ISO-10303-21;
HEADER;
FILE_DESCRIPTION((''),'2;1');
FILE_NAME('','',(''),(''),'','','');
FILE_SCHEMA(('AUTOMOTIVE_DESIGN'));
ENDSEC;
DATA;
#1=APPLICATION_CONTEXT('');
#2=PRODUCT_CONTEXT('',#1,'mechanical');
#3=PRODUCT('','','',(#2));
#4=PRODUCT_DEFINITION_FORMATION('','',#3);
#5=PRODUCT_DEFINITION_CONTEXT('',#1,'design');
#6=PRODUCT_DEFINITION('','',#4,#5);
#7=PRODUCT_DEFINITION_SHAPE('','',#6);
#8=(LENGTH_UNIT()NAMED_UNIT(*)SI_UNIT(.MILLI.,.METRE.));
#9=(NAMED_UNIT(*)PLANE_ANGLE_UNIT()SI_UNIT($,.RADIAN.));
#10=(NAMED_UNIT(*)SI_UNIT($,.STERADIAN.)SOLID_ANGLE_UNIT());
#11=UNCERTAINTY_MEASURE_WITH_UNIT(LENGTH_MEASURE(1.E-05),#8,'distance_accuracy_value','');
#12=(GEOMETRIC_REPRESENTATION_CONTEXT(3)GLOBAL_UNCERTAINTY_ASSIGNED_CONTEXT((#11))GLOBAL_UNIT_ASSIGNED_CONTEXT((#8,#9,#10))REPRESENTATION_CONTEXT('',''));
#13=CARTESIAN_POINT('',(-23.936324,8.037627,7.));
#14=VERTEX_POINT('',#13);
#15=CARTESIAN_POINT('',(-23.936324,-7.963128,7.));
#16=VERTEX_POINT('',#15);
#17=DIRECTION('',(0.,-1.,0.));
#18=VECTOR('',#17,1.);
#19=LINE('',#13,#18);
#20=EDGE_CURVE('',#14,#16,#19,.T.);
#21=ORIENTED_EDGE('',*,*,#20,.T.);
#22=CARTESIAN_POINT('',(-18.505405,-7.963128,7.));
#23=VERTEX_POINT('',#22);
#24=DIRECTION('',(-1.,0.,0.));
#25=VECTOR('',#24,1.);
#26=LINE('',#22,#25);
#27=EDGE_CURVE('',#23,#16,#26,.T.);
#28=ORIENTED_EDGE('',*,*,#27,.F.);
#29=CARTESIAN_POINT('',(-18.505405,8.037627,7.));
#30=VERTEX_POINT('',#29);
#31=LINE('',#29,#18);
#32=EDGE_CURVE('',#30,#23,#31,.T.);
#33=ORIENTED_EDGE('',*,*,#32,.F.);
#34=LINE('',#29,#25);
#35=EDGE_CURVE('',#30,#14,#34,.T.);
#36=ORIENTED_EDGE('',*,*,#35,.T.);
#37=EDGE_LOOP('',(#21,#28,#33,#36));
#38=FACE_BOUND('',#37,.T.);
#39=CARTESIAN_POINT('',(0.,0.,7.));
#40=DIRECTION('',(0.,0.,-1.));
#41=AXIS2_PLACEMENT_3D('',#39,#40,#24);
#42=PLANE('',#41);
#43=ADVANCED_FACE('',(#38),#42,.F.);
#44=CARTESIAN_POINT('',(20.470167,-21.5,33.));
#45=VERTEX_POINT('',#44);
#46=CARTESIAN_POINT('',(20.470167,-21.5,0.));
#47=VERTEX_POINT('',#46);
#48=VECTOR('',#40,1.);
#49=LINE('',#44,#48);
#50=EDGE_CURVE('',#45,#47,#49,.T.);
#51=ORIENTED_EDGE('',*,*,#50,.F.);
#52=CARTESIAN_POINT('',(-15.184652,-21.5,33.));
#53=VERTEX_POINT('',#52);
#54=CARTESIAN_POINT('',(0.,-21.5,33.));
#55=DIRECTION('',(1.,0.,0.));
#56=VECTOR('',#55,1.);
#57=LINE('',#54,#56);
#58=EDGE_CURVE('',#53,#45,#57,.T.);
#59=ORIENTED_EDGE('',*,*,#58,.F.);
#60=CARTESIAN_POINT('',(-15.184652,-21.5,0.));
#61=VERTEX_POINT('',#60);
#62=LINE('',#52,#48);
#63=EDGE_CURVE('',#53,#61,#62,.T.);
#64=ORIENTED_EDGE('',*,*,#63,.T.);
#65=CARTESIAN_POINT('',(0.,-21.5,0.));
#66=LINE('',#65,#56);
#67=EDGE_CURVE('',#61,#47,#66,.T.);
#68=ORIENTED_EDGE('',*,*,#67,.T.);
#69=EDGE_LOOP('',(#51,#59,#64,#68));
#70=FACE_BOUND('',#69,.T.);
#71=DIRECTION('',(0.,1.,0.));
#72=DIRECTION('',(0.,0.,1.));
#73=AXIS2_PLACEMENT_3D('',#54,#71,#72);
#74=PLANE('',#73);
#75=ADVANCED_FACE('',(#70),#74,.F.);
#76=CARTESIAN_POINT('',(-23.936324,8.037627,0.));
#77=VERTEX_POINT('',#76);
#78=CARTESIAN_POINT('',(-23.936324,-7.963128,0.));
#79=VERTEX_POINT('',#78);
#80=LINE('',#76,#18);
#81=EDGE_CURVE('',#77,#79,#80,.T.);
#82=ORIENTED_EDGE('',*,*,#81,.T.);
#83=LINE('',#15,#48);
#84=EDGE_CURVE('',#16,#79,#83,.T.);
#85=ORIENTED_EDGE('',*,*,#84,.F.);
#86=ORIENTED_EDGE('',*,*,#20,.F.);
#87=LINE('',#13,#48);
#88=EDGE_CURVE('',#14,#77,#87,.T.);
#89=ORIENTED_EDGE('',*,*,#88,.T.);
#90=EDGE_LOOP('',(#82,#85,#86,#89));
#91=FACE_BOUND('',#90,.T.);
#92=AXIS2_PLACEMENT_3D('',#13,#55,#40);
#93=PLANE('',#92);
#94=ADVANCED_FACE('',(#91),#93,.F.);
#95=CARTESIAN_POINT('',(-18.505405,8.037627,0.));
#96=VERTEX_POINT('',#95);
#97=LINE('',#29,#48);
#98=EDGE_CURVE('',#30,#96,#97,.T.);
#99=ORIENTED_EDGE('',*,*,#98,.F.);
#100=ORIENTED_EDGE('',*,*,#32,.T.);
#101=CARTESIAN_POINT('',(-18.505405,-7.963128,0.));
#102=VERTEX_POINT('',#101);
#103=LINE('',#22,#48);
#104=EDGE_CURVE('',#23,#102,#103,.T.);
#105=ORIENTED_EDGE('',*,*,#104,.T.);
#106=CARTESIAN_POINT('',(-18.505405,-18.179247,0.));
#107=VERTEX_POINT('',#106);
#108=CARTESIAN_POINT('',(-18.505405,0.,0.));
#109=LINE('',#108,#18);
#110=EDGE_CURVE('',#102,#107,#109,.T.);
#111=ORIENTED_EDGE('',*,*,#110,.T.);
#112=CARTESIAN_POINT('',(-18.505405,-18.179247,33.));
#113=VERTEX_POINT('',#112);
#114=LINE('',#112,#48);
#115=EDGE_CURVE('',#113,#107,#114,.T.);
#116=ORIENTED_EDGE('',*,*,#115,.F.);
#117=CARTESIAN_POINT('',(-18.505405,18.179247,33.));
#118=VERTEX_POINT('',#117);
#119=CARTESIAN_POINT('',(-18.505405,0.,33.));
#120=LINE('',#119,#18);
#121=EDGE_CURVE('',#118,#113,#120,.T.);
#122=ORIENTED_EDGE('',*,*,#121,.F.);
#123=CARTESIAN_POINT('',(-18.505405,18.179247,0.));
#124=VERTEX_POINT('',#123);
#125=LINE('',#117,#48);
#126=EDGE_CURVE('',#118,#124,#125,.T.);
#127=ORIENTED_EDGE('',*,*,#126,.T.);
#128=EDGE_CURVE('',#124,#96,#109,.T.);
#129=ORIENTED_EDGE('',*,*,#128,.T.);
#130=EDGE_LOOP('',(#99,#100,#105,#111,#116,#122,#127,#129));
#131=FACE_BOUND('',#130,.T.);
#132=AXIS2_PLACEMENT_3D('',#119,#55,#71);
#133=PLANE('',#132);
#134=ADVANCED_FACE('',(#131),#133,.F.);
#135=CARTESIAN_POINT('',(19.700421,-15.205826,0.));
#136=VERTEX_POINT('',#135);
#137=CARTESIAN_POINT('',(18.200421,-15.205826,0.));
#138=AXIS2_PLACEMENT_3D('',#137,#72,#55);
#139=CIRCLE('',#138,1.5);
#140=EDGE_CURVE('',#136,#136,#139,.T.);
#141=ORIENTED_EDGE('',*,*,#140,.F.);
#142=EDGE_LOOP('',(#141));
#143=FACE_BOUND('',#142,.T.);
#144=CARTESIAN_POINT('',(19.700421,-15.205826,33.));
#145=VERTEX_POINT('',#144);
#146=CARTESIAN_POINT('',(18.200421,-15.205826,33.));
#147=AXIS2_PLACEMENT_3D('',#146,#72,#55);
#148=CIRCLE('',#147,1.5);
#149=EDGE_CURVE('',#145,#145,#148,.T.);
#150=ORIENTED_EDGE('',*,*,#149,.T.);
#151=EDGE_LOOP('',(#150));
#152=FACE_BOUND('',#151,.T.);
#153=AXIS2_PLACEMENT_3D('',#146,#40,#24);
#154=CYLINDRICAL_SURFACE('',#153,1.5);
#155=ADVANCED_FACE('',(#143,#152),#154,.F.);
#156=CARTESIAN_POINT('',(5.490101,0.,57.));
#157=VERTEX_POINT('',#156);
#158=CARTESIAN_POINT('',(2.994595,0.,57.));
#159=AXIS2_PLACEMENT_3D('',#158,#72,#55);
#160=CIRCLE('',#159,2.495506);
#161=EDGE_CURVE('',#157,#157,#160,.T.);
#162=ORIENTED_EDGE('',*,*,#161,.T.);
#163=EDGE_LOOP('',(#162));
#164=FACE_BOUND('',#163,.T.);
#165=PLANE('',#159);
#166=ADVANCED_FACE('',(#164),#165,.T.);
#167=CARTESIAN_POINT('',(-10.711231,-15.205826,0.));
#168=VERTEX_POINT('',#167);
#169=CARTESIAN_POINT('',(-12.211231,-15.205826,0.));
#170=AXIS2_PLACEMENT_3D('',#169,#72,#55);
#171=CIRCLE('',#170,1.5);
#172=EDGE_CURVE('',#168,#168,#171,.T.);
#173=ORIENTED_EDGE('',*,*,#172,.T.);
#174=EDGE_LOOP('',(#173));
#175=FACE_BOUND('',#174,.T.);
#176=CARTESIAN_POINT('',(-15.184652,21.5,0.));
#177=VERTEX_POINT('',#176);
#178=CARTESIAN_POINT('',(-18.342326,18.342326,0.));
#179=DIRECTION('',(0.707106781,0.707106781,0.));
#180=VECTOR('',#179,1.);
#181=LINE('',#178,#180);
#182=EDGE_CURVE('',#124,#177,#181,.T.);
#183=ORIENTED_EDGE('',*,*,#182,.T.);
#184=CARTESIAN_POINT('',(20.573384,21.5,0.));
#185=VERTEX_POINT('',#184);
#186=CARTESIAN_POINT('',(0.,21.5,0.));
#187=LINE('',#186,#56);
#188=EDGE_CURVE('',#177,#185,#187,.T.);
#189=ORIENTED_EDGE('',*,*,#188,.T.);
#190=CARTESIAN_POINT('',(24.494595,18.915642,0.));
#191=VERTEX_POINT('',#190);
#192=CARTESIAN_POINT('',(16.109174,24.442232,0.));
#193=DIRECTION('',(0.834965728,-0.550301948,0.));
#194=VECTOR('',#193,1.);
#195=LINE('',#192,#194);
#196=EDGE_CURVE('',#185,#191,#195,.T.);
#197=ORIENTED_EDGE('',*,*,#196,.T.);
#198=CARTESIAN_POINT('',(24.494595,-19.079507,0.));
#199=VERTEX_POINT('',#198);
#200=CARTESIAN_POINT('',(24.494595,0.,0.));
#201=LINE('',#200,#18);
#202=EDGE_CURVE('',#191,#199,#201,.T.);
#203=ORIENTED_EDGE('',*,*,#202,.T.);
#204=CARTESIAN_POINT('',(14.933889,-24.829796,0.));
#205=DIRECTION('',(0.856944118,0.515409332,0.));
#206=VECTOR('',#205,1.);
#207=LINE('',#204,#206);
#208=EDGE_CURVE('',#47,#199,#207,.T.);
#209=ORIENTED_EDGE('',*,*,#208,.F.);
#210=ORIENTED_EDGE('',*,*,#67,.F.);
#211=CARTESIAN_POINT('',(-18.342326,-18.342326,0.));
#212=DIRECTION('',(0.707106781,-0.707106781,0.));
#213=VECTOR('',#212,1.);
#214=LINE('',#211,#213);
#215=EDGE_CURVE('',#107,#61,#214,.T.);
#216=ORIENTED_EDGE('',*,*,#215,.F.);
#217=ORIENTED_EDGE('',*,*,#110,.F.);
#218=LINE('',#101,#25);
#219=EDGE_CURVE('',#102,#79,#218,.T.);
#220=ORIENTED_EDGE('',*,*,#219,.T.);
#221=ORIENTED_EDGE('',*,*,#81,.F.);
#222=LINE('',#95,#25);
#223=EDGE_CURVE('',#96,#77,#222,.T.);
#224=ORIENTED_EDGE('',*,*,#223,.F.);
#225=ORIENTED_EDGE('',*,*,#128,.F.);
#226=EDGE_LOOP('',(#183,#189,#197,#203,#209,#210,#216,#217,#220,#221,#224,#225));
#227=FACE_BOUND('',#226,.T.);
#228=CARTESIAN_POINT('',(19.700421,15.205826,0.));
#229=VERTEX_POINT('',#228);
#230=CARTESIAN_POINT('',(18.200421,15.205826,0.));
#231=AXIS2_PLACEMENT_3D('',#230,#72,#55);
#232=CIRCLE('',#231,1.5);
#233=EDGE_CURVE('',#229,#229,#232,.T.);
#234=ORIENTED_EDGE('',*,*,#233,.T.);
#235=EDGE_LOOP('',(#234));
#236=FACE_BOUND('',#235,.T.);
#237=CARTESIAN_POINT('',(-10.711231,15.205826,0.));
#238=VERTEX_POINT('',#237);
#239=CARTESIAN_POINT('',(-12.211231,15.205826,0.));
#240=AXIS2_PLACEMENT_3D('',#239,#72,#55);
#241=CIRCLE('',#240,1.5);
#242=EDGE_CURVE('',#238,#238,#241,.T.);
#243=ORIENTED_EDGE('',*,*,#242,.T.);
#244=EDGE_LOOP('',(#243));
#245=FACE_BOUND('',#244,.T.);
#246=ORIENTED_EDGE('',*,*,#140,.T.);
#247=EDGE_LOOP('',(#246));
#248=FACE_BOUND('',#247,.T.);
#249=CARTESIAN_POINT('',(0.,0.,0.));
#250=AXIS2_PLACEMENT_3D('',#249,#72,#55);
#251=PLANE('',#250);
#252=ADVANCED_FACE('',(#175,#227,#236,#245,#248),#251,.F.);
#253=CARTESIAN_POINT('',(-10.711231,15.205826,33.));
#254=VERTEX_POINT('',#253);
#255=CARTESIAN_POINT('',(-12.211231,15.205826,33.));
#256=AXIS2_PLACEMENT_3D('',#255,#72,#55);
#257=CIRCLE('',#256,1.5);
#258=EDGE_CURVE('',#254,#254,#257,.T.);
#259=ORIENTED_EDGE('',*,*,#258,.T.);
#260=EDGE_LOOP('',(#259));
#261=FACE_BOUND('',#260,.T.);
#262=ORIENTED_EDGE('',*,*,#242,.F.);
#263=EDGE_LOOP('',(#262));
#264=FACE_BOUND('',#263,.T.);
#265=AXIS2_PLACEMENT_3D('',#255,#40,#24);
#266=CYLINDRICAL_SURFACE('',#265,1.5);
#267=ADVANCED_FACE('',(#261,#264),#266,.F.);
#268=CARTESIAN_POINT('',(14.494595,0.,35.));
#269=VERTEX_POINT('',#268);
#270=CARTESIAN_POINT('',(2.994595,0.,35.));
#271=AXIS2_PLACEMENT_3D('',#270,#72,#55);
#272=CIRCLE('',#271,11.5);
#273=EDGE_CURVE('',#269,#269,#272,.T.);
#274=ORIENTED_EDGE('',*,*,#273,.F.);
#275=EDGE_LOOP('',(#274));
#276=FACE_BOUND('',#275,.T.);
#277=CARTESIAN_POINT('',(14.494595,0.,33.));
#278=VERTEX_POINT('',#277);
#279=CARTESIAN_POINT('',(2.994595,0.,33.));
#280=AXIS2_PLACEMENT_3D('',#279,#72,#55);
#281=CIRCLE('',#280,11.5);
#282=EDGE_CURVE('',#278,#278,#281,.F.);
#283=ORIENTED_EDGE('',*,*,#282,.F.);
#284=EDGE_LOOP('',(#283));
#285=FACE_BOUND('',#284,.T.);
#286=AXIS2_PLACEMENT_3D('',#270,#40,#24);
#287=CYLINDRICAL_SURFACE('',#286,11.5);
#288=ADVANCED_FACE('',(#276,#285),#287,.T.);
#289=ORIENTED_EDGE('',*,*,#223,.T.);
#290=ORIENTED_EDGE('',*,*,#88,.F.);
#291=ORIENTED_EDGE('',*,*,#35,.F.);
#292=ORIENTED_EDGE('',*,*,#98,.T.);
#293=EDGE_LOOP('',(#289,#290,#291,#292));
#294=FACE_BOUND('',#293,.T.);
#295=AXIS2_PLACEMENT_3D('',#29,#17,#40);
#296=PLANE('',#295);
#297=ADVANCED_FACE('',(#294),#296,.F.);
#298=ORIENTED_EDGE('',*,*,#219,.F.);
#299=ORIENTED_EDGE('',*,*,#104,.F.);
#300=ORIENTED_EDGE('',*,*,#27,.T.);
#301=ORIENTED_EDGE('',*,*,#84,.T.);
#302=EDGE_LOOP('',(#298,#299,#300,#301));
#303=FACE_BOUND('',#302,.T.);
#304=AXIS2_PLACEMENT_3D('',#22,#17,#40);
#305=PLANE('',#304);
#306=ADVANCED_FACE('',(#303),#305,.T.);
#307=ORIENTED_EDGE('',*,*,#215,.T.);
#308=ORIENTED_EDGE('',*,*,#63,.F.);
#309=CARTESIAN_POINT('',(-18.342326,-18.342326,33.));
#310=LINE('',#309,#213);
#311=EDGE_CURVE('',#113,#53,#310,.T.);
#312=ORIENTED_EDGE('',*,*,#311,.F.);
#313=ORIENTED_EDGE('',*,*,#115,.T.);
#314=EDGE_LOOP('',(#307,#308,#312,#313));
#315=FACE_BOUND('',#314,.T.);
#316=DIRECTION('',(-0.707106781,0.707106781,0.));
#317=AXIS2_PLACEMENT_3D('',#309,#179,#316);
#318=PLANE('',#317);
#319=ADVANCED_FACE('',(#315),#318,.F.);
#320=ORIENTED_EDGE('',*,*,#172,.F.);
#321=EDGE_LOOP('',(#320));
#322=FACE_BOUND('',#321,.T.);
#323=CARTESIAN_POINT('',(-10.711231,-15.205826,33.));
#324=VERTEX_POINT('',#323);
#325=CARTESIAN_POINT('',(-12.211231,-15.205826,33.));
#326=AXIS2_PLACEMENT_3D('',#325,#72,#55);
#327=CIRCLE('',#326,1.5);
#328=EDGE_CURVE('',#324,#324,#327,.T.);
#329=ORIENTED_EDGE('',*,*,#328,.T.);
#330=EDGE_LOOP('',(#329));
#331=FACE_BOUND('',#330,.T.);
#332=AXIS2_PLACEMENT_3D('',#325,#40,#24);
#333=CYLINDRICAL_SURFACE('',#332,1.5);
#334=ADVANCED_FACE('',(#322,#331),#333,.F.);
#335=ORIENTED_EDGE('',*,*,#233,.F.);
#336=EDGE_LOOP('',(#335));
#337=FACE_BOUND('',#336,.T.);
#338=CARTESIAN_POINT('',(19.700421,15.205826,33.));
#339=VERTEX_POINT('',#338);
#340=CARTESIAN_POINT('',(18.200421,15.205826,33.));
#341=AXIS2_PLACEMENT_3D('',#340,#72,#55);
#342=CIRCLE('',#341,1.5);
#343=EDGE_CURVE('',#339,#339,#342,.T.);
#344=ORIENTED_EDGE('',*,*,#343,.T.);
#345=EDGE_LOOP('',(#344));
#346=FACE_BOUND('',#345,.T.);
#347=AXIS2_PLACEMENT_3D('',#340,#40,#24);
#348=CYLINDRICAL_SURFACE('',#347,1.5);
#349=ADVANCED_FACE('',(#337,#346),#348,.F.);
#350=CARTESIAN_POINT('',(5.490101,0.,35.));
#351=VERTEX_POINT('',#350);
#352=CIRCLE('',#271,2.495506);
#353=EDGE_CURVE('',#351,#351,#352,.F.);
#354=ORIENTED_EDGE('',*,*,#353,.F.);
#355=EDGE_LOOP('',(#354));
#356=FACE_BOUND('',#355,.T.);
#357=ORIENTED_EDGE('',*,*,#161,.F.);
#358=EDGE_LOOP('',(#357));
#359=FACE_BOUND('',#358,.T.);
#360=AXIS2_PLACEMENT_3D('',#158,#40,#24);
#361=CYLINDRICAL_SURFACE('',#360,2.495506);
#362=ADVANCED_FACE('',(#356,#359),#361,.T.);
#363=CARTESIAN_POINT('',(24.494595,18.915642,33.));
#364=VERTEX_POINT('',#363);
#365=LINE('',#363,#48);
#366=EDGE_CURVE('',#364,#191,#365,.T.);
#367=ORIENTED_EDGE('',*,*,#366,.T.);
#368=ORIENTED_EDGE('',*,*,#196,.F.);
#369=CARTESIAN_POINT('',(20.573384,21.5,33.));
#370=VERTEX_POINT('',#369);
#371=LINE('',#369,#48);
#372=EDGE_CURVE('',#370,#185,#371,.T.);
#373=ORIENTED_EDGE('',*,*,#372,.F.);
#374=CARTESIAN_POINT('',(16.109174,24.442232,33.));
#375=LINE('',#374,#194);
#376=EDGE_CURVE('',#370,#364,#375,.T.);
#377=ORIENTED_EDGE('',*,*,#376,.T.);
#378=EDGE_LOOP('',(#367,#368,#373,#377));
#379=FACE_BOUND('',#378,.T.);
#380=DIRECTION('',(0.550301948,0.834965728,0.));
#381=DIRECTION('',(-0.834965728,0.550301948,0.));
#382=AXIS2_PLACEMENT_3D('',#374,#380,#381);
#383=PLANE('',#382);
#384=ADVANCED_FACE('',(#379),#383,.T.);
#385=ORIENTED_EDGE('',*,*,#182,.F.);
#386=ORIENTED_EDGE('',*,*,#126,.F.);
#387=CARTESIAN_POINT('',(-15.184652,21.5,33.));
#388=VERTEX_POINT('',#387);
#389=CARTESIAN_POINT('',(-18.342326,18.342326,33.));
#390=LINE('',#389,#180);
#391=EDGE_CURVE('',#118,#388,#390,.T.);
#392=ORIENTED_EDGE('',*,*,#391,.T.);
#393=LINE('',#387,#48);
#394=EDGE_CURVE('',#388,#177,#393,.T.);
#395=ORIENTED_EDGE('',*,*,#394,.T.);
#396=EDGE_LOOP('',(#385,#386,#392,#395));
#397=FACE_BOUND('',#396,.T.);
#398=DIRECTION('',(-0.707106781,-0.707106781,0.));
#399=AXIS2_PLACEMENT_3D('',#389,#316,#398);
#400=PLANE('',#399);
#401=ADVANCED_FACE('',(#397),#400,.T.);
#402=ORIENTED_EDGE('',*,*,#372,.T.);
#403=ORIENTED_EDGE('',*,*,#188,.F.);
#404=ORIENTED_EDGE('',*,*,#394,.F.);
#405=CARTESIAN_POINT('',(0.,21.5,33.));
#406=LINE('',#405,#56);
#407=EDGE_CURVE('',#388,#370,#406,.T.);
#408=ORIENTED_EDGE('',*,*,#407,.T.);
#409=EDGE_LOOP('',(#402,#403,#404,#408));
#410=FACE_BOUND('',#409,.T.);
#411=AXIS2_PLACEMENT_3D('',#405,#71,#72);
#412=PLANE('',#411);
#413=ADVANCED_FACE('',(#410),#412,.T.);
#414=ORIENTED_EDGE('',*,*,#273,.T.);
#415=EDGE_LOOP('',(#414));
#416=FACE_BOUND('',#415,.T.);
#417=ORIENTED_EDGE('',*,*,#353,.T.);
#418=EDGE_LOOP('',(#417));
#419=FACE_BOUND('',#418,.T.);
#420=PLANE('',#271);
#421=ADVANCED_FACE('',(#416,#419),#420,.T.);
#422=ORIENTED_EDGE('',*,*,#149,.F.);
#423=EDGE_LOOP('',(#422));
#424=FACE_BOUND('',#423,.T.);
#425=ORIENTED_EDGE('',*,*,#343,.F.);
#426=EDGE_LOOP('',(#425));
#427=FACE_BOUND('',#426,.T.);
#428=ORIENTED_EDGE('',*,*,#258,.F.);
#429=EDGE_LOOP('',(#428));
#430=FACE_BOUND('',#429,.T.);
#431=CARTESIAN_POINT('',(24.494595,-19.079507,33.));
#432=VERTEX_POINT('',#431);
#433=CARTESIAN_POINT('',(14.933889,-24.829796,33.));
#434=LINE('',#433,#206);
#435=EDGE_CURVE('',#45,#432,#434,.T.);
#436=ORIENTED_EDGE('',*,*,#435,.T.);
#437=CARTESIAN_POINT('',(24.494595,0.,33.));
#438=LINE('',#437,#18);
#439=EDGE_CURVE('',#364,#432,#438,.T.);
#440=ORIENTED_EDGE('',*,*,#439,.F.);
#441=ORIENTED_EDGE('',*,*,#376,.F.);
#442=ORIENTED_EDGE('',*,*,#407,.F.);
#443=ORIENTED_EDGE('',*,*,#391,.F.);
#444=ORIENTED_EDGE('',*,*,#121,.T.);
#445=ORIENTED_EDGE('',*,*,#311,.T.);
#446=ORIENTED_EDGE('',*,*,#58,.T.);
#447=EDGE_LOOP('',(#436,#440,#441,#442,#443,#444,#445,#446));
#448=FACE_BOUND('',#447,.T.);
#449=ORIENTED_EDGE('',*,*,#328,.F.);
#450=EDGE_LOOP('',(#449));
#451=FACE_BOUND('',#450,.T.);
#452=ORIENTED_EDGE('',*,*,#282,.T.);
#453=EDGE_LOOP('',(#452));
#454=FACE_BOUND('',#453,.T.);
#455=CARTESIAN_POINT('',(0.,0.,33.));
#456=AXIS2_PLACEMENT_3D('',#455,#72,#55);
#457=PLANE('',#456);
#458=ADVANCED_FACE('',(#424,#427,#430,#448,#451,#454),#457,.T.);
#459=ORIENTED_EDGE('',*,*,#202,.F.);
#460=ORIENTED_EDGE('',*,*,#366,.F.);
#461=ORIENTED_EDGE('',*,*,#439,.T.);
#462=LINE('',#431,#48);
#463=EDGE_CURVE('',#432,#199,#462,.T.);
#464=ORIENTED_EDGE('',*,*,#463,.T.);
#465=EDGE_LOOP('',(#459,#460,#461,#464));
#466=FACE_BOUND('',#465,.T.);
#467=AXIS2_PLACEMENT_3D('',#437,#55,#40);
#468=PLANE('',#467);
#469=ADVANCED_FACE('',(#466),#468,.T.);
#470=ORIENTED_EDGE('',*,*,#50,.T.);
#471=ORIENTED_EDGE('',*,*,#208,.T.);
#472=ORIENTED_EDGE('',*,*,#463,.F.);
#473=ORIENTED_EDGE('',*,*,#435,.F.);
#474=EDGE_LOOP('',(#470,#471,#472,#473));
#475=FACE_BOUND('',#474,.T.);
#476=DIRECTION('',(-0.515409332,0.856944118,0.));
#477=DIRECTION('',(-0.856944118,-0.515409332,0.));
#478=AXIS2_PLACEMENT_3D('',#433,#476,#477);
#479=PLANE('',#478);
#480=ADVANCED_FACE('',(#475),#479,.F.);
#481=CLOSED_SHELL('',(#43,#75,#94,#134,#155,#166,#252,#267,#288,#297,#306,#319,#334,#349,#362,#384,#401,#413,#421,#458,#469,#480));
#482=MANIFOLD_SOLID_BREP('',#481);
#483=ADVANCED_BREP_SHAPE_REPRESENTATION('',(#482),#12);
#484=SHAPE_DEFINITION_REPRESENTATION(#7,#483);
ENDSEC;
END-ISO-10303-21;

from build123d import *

# Parameters (mm, degrees)
SKETCH1_R           = 1.5
BOSS_EXTRUDE1_DEPTH = 33
SKETCH1_3_R         = 11.5
BOSS_EXTRUDE2_DEPTH = 35
SKETCH1_4_R         = 2.495506105
BOSS_EXTRUDE3_DEPTH = 57
SKETCH1_5_W         = 5.430918786
SKETCH1_5_H         = 16.000755457
BOSS_EXTRUDE4_DEPTH = 7


with BuildPart() as part:
    # Sketch1 → Boss-Extrude1 (new body)
    with BuildSketch(Plane.XY):
        Polygon((-15.184651762, 21.5), (-18.505405032, 18.179246731), (-18.505405032, -18.179246731), (-15.184651762, -21.5), (20.470167461, -21.5), (24.494594968, -19.079506704), (24.494594968, 18.915642106), (20.57338357, 21.5), align=None)
        with Locations((-12.211230799, -15.205825767)):
            Circle(SKETCH1_R, mode=Mode.SUBTRACT)
        with Locations((18.200420735, -15.205825767)):
            Circle(SKETCH1_R, mode=Mode.SUBTRACT)
        with Locations((-12.211230799, 15.205825767)):
            Circle(SKETCH1_R, mode=Mode.SUBTRACT)
        with Locations((18.200420735, 15.205825767)):
            Circle(SKETCH1_R, mode=Mode.SUBTRACT)
    extrude(amount=BOSS_EXTRUDE1_DEPTH)

    # Sketch1<3> → Boss-Extrude2 (add)
    with BuildSketch(Plane.XY):
        with Locations((2.994594968, 0)):
            Circle(SKETCH1_3_R)
    extrude(amount=BOSS_EXTRUDE2_DEPTH)

    # Sketch1<4> → Boss-Extrude3 (add)
    with BuildSketch(Plane.XY):
        with Locations((2.994594968, 0)):
            Circle(SKETCH1_4_R)
    extrude(amount=BOSS_EXTRUDE3_DEPTH)

    # Sketch1<5> → Boss-Extrude4 (add)
    with BuildSketch(Plane.XY):
        with Locations((-21.220864425, 0.037249424)):
            Rectangle(SKETCH1_5_W, SKETCH1_5_H)
    extrude(amount=BOSS_EXTRUDE4_DEPTH)


solid = part.part
